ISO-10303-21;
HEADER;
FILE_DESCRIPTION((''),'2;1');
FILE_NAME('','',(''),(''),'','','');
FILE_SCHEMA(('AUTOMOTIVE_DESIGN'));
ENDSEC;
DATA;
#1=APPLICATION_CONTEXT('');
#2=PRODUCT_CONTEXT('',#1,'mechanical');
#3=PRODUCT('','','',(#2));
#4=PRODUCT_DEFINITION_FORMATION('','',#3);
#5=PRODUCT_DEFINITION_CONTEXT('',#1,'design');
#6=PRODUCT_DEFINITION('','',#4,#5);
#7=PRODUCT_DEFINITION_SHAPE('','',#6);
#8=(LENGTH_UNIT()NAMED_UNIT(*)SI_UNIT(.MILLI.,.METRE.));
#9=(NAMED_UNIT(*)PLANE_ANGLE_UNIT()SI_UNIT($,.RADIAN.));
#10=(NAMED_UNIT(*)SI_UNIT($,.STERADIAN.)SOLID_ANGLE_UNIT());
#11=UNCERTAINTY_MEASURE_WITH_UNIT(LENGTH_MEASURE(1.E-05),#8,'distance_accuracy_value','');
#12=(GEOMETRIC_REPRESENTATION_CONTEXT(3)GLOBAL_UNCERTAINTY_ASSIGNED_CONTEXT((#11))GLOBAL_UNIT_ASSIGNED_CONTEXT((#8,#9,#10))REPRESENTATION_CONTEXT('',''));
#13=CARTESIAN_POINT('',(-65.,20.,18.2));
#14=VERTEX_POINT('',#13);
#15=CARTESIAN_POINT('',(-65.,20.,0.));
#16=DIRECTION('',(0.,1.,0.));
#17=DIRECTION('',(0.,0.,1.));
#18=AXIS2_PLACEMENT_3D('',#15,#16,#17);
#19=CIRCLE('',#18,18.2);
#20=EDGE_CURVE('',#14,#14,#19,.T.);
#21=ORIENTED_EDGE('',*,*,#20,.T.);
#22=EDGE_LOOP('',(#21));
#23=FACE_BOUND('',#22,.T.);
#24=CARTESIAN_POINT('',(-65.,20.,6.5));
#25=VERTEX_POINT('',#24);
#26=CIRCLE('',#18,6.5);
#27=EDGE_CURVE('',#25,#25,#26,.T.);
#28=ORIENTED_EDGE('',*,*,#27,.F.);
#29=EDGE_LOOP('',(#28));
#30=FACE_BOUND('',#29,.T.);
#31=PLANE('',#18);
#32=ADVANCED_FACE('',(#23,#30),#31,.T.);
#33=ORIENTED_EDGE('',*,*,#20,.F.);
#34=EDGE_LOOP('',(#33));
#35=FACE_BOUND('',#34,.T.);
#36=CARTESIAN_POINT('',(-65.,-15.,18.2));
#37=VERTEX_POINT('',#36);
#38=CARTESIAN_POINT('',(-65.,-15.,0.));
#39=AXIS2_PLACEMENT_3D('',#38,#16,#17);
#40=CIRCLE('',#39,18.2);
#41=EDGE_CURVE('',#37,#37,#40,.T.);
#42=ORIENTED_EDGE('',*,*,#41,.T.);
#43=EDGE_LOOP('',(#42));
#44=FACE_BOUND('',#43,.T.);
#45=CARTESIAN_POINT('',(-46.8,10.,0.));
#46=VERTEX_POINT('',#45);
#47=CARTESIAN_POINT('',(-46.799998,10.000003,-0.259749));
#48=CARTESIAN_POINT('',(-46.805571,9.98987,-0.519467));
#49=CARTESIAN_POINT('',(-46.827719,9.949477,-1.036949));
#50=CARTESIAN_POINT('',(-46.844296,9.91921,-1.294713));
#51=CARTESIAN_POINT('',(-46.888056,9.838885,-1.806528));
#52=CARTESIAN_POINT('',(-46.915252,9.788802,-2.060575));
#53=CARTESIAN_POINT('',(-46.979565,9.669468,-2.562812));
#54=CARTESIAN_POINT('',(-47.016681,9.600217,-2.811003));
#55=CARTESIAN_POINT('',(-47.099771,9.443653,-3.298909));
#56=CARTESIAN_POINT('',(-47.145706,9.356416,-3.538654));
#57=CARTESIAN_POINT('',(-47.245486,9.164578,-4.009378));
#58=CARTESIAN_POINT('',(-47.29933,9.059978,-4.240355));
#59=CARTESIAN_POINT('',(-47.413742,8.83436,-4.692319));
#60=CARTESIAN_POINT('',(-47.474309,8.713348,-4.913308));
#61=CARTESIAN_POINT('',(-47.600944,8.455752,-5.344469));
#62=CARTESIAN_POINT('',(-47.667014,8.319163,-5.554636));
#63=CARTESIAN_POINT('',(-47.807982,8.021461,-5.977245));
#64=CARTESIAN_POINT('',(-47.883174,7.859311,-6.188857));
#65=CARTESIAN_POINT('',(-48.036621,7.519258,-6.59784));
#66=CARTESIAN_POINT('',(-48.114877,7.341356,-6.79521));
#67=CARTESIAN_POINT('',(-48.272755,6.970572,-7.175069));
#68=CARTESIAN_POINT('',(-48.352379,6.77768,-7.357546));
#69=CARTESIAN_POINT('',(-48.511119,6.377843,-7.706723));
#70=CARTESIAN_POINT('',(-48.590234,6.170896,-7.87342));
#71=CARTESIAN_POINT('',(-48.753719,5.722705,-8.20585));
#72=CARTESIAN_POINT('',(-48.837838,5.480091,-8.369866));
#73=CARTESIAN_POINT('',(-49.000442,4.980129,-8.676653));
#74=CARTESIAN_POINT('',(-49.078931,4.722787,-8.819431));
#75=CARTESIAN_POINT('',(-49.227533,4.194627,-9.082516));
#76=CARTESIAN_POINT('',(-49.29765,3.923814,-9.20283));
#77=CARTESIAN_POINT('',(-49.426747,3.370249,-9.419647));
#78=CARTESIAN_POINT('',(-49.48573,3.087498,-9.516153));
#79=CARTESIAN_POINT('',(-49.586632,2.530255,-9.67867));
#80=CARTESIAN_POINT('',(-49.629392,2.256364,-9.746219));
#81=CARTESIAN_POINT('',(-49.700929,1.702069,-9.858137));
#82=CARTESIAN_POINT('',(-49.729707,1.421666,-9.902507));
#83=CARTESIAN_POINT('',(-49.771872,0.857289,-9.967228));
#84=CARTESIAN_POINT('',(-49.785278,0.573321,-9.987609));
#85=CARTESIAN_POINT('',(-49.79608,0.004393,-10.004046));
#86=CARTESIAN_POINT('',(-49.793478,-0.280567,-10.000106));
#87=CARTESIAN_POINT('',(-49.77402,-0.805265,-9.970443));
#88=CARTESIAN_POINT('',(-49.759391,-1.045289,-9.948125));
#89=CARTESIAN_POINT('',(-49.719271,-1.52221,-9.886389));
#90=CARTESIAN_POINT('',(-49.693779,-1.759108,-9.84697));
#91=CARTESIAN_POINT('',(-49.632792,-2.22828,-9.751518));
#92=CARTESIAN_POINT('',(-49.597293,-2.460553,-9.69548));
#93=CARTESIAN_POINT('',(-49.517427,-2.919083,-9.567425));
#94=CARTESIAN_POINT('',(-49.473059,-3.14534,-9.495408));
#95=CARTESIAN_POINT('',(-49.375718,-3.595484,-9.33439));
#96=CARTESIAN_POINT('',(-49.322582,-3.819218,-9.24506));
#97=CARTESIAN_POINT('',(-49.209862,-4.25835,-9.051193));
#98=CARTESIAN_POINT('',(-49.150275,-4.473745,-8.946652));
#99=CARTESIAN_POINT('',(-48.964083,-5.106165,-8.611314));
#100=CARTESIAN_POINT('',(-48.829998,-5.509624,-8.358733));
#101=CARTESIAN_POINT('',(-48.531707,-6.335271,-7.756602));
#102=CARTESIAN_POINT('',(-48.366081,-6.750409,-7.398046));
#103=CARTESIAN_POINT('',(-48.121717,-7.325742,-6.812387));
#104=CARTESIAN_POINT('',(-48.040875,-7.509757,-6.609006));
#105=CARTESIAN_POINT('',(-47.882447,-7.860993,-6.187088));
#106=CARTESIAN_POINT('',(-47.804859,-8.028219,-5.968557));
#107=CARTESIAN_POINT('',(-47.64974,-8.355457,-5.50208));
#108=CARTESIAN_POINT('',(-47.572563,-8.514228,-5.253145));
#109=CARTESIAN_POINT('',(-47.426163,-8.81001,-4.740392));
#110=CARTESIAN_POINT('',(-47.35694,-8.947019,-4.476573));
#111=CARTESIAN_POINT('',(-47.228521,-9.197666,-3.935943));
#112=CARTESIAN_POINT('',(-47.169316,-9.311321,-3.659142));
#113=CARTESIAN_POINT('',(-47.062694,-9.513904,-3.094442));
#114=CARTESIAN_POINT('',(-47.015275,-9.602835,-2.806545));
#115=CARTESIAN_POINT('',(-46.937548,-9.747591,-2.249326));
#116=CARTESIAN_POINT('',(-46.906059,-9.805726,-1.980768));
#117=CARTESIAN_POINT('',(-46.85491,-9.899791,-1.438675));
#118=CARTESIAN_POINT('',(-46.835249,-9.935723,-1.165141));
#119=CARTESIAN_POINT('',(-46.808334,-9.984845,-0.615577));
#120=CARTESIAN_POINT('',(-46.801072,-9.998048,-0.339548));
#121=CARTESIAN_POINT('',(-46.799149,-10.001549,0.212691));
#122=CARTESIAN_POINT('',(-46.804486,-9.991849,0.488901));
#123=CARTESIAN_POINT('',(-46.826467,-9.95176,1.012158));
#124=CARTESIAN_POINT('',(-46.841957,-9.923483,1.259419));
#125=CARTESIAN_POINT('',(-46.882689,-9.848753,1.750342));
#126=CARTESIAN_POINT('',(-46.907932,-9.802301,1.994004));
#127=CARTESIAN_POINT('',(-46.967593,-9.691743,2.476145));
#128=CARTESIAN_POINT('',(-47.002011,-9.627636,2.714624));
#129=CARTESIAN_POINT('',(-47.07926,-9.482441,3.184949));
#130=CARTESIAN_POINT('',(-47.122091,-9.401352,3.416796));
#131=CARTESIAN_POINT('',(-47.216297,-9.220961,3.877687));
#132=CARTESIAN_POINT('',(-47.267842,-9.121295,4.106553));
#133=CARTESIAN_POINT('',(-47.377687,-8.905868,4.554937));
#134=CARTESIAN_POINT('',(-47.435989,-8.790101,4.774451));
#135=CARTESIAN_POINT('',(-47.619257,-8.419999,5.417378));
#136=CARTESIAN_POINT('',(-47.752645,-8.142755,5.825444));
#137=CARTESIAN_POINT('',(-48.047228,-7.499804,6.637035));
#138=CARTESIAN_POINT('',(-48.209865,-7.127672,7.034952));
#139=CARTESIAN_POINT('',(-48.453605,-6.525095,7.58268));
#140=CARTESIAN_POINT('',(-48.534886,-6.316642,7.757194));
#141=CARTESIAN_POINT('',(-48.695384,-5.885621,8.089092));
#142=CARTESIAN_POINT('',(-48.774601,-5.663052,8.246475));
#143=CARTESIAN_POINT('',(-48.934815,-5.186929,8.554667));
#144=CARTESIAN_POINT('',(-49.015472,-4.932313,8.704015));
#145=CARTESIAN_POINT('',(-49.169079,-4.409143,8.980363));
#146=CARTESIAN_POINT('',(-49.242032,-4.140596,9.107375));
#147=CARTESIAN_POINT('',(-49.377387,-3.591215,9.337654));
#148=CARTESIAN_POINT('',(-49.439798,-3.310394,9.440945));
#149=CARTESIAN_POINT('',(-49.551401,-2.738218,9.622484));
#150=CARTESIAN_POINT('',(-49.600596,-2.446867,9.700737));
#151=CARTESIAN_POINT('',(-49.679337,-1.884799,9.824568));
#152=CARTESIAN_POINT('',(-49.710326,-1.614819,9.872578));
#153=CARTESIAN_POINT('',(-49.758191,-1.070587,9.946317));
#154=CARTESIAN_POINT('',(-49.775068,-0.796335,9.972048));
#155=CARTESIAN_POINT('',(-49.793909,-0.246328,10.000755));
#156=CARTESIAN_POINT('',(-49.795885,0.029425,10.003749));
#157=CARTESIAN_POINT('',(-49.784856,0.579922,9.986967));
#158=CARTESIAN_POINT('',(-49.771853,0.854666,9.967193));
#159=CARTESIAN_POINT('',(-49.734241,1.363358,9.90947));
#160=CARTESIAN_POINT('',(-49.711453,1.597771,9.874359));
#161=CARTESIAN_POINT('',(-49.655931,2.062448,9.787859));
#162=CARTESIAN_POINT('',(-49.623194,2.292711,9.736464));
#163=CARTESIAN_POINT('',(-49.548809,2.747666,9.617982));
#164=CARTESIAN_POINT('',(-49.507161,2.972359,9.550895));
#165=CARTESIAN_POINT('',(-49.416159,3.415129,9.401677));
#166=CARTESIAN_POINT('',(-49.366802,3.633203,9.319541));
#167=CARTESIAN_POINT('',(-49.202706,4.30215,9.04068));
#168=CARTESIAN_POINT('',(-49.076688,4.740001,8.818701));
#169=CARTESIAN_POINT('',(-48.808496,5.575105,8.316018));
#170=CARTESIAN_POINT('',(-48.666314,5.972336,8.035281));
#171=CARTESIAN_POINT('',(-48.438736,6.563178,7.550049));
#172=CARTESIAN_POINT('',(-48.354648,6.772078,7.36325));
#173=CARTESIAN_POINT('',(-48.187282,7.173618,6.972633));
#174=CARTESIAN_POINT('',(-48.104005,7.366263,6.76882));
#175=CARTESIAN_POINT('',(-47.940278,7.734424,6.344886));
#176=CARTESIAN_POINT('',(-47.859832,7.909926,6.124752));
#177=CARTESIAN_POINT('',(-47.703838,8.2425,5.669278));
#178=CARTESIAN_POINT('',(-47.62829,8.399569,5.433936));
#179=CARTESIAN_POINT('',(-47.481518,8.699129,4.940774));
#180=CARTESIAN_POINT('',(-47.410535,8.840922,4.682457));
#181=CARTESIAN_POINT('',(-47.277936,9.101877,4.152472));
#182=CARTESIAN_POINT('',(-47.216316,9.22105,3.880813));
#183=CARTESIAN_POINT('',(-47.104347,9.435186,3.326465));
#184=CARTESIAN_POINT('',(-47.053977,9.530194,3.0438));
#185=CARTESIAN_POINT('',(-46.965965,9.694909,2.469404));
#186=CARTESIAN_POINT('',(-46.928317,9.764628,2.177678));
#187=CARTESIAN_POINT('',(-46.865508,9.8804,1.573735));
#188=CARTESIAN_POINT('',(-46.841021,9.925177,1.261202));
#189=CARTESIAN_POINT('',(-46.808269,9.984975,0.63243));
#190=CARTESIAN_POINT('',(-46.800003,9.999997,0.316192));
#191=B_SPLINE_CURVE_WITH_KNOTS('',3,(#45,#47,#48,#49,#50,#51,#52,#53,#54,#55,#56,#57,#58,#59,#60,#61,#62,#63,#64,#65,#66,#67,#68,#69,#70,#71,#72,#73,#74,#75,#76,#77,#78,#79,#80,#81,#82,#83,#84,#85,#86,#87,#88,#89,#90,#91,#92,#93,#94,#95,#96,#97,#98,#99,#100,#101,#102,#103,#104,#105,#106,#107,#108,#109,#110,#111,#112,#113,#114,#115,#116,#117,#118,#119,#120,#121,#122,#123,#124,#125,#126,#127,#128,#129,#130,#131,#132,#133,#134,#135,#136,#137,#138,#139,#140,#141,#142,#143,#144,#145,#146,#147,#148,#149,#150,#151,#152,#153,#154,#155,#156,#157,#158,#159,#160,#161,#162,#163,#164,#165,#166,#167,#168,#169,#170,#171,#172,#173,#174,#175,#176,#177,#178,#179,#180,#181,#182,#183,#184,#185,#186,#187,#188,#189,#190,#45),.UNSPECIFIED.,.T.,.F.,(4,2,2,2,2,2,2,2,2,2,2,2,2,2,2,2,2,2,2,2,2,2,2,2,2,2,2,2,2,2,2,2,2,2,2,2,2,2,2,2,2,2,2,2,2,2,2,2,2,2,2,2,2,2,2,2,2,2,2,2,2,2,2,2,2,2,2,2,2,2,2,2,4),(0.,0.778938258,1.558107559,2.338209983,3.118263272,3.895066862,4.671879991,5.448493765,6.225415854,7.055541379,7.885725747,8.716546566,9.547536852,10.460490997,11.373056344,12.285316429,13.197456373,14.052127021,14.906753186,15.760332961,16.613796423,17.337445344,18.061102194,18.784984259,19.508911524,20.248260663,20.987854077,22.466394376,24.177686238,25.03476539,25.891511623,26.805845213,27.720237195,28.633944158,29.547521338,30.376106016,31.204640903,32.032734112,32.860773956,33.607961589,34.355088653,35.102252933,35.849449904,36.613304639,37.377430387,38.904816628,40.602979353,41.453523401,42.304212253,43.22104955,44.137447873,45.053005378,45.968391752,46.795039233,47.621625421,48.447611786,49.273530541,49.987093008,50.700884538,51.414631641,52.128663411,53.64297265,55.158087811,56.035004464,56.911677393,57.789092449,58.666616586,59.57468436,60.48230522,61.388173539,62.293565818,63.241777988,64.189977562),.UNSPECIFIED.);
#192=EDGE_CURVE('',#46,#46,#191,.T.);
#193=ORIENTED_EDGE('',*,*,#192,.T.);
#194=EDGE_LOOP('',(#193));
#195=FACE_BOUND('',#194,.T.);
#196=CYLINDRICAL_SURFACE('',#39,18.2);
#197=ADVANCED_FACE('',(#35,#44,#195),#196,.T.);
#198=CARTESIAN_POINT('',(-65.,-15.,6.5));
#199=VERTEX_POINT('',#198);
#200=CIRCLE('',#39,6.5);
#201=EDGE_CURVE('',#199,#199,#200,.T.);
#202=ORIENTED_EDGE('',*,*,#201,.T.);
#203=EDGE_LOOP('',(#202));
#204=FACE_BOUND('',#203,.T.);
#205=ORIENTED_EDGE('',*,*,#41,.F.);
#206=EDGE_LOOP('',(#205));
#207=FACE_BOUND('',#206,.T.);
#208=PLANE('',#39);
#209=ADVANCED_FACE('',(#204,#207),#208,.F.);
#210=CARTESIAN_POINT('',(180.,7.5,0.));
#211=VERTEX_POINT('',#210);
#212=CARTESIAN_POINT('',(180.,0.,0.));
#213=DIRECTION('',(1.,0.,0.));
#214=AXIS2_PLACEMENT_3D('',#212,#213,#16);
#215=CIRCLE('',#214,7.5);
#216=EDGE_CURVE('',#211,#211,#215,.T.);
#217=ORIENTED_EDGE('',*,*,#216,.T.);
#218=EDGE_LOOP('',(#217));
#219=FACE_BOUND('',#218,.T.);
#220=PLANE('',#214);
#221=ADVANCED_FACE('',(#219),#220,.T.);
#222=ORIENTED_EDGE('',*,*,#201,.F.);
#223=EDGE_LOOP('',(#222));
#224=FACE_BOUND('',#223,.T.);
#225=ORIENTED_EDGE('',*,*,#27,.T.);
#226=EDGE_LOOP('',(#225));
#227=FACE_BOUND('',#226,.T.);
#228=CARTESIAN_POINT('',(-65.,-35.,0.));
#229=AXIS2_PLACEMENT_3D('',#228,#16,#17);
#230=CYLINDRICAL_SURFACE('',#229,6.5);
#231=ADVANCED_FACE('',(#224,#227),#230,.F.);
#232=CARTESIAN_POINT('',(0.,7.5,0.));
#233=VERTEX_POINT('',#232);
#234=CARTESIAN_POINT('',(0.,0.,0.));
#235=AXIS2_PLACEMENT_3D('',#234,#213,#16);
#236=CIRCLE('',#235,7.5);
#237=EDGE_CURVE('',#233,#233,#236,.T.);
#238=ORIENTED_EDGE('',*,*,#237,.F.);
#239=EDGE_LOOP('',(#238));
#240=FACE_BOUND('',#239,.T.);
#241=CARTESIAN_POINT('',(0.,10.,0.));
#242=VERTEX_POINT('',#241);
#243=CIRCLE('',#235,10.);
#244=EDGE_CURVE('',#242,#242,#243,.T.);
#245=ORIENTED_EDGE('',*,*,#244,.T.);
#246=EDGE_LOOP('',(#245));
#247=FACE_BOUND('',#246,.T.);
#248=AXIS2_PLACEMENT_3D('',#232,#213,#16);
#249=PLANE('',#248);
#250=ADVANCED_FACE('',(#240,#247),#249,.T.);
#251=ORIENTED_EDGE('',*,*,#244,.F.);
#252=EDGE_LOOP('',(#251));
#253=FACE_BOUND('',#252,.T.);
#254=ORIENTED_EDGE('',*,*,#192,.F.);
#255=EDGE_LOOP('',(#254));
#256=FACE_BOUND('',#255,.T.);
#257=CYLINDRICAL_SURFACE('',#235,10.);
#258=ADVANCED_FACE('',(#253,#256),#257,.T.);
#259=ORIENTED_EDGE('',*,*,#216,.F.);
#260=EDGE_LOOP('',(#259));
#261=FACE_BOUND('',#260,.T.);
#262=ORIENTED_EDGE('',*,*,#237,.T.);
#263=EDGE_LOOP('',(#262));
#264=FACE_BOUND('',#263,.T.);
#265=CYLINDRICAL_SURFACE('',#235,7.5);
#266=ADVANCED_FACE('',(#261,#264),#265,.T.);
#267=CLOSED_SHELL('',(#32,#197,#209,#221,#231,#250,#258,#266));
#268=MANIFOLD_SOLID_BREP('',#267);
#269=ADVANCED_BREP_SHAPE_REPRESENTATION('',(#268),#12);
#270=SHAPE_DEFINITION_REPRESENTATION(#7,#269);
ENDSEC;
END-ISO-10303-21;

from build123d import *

# Parameters (mm, degrees)
BOSS_EXTRUDE1_DEPTH      = 20
BOSS_EXTRUDE1_DEPTH_BACK = 15
SKETCH2_R                = 18.2
SKETCH3_R                = 6.5
CUT_EXTRUDE1_DEPTH       = 55


with BuildPart() as part:
    # Sketch1 → Revolve1 (revolve)
    with BuildSketch(Plane.XY):
        Polygon((0, 0), (180, 0), (180, 7.5), (0, 7.5), (0, 10), (-50, 10), (-50, 0), align=None)
    revolve(axis=Axis((0, 0, 0), (-1, 0, 0)))

    # Sketch2 → Boss-Extrude1 (add, two sides: drawn at the far end of the back side and taken through both)
    with BuildSketch(Plane(origin=(0, 0, 0), x_dir=(1, 0, 0), z_dir=(0, 1, 0)).offset(-BOSS_EXTRUDE1_DEPTH_BACK)):
        with Locations(Location((-65, 0, 0), (0, 0, 270))):
            Circle(SKETCH2_R)
    extrude(amount=BOSS_EXTRUDE1_DEPTH + BOSS_EXTRUDE1_DEPTH_BACK)

    # Sketch3 → Cut-Extrude1 (cut)
    with BuildSketch(Plane(origin=(0, 20, 0), x_dir=(1, 0, 0), z_dir=(0, 1, 0))):
        with Locations(Location((-65, 0, 0), (0, 0, 270))):
            Circle(SKETCH3_R)
    extrude(amount=-CUT_EXTRUDE1_DEPTH, mode=Mode.SUBTRACT)


solid = part.part
